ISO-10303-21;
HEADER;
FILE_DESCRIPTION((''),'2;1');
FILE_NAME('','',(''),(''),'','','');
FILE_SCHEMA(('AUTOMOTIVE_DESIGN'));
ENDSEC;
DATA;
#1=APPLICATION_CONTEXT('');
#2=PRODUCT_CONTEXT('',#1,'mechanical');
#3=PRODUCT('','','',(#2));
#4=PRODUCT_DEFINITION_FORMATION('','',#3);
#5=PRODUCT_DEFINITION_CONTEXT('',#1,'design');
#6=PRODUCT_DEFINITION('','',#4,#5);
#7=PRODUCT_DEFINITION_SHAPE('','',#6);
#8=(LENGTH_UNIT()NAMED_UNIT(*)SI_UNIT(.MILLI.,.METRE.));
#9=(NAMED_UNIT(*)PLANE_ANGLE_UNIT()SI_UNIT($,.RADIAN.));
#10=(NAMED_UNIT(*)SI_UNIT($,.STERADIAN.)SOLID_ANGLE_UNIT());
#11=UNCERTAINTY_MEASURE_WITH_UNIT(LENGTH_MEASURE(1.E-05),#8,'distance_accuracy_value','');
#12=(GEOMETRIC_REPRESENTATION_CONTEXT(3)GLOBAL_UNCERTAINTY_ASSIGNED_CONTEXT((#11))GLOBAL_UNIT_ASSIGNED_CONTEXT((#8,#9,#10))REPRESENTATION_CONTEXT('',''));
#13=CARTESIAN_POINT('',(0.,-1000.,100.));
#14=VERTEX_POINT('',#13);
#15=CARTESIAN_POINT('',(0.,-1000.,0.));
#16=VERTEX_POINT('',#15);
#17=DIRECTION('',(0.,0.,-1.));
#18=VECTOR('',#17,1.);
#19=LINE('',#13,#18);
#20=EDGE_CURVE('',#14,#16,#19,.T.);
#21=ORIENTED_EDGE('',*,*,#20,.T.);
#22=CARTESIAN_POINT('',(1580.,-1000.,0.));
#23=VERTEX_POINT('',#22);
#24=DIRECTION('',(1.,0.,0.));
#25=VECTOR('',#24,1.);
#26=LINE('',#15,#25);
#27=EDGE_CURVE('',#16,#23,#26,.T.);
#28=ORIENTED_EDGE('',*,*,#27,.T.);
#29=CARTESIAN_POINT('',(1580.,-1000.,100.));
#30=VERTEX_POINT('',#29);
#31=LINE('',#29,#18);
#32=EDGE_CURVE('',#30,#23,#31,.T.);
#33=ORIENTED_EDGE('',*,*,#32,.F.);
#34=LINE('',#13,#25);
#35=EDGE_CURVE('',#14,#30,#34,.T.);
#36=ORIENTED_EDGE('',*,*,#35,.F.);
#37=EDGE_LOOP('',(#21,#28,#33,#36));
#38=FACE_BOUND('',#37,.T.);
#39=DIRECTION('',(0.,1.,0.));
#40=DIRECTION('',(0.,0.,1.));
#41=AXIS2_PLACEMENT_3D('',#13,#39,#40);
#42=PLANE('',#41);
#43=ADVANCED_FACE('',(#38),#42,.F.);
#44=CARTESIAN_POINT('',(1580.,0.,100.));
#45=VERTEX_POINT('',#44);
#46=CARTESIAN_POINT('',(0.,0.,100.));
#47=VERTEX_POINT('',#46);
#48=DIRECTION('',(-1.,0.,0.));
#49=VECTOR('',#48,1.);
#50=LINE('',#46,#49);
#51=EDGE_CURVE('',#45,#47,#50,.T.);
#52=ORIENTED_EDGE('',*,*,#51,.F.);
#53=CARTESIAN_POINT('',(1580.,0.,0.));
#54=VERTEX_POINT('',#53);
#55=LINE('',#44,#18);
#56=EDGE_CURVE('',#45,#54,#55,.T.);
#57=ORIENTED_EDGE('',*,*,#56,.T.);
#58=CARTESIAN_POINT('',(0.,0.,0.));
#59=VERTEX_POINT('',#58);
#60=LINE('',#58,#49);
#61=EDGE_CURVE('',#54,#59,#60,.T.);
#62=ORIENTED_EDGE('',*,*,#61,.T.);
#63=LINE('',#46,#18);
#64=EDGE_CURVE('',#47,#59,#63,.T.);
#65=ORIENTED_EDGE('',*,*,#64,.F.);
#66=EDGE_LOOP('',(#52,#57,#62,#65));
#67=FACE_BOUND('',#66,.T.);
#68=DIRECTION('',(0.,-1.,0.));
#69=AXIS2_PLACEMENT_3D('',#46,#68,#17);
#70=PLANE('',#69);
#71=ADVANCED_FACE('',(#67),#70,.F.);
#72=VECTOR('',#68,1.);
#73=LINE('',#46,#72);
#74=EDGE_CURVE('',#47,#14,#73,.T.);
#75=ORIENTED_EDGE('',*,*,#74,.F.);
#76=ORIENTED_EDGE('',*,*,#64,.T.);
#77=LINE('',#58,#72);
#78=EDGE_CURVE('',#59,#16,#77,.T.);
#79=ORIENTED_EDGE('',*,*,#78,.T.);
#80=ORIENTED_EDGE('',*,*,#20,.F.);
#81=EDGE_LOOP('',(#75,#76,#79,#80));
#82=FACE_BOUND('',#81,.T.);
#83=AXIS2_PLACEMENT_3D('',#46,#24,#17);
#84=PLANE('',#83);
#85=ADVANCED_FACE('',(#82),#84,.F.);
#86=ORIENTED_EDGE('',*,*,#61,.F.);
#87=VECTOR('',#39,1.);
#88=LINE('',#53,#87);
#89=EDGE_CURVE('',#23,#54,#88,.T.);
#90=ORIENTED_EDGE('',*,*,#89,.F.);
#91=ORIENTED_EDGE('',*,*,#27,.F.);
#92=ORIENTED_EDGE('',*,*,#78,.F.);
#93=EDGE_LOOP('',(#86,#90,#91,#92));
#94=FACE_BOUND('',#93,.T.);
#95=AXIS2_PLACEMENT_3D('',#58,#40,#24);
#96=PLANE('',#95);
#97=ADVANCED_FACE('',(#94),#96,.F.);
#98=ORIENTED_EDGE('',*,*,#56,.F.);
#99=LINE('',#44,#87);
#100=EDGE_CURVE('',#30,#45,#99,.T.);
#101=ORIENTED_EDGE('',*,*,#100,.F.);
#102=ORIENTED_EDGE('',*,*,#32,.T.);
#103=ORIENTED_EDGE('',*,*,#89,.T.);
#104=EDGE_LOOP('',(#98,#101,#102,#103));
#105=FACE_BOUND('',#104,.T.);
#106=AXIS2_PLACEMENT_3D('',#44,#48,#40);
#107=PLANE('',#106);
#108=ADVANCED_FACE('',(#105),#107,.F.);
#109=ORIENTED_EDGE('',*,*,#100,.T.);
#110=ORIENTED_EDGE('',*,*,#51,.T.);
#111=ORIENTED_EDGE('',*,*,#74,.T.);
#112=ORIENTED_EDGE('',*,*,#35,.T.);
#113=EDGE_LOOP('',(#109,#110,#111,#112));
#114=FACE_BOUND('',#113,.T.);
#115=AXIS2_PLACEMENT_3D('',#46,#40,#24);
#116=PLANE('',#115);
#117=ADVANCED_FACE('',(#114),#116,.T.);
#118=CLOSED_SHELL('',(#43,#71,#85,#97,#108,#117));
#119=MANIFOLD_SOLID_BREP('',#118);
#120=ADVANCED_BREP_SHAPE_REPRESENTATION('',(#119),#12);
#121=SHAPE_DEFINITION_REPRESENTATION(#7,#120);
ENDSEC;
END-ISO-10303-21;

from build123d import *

# Parameters (mm, degrees)
SKETCH_1_W      = 1580
SKETCH_1_H      = 1000
EXTRUDE_1_DEPTH = 100


with BuildPart() as part:
    # Эскиз1 → Бобышка-Вытянуть1 (new body)
    with BuildSketch(Plane.XY):
        with Locations((790, -500)):
            Rectangle(SKETCH_1_W, SKETCH_1_H)
    extrude(amount=EXTRUDE_1_DEPTH)


solid = part.part
